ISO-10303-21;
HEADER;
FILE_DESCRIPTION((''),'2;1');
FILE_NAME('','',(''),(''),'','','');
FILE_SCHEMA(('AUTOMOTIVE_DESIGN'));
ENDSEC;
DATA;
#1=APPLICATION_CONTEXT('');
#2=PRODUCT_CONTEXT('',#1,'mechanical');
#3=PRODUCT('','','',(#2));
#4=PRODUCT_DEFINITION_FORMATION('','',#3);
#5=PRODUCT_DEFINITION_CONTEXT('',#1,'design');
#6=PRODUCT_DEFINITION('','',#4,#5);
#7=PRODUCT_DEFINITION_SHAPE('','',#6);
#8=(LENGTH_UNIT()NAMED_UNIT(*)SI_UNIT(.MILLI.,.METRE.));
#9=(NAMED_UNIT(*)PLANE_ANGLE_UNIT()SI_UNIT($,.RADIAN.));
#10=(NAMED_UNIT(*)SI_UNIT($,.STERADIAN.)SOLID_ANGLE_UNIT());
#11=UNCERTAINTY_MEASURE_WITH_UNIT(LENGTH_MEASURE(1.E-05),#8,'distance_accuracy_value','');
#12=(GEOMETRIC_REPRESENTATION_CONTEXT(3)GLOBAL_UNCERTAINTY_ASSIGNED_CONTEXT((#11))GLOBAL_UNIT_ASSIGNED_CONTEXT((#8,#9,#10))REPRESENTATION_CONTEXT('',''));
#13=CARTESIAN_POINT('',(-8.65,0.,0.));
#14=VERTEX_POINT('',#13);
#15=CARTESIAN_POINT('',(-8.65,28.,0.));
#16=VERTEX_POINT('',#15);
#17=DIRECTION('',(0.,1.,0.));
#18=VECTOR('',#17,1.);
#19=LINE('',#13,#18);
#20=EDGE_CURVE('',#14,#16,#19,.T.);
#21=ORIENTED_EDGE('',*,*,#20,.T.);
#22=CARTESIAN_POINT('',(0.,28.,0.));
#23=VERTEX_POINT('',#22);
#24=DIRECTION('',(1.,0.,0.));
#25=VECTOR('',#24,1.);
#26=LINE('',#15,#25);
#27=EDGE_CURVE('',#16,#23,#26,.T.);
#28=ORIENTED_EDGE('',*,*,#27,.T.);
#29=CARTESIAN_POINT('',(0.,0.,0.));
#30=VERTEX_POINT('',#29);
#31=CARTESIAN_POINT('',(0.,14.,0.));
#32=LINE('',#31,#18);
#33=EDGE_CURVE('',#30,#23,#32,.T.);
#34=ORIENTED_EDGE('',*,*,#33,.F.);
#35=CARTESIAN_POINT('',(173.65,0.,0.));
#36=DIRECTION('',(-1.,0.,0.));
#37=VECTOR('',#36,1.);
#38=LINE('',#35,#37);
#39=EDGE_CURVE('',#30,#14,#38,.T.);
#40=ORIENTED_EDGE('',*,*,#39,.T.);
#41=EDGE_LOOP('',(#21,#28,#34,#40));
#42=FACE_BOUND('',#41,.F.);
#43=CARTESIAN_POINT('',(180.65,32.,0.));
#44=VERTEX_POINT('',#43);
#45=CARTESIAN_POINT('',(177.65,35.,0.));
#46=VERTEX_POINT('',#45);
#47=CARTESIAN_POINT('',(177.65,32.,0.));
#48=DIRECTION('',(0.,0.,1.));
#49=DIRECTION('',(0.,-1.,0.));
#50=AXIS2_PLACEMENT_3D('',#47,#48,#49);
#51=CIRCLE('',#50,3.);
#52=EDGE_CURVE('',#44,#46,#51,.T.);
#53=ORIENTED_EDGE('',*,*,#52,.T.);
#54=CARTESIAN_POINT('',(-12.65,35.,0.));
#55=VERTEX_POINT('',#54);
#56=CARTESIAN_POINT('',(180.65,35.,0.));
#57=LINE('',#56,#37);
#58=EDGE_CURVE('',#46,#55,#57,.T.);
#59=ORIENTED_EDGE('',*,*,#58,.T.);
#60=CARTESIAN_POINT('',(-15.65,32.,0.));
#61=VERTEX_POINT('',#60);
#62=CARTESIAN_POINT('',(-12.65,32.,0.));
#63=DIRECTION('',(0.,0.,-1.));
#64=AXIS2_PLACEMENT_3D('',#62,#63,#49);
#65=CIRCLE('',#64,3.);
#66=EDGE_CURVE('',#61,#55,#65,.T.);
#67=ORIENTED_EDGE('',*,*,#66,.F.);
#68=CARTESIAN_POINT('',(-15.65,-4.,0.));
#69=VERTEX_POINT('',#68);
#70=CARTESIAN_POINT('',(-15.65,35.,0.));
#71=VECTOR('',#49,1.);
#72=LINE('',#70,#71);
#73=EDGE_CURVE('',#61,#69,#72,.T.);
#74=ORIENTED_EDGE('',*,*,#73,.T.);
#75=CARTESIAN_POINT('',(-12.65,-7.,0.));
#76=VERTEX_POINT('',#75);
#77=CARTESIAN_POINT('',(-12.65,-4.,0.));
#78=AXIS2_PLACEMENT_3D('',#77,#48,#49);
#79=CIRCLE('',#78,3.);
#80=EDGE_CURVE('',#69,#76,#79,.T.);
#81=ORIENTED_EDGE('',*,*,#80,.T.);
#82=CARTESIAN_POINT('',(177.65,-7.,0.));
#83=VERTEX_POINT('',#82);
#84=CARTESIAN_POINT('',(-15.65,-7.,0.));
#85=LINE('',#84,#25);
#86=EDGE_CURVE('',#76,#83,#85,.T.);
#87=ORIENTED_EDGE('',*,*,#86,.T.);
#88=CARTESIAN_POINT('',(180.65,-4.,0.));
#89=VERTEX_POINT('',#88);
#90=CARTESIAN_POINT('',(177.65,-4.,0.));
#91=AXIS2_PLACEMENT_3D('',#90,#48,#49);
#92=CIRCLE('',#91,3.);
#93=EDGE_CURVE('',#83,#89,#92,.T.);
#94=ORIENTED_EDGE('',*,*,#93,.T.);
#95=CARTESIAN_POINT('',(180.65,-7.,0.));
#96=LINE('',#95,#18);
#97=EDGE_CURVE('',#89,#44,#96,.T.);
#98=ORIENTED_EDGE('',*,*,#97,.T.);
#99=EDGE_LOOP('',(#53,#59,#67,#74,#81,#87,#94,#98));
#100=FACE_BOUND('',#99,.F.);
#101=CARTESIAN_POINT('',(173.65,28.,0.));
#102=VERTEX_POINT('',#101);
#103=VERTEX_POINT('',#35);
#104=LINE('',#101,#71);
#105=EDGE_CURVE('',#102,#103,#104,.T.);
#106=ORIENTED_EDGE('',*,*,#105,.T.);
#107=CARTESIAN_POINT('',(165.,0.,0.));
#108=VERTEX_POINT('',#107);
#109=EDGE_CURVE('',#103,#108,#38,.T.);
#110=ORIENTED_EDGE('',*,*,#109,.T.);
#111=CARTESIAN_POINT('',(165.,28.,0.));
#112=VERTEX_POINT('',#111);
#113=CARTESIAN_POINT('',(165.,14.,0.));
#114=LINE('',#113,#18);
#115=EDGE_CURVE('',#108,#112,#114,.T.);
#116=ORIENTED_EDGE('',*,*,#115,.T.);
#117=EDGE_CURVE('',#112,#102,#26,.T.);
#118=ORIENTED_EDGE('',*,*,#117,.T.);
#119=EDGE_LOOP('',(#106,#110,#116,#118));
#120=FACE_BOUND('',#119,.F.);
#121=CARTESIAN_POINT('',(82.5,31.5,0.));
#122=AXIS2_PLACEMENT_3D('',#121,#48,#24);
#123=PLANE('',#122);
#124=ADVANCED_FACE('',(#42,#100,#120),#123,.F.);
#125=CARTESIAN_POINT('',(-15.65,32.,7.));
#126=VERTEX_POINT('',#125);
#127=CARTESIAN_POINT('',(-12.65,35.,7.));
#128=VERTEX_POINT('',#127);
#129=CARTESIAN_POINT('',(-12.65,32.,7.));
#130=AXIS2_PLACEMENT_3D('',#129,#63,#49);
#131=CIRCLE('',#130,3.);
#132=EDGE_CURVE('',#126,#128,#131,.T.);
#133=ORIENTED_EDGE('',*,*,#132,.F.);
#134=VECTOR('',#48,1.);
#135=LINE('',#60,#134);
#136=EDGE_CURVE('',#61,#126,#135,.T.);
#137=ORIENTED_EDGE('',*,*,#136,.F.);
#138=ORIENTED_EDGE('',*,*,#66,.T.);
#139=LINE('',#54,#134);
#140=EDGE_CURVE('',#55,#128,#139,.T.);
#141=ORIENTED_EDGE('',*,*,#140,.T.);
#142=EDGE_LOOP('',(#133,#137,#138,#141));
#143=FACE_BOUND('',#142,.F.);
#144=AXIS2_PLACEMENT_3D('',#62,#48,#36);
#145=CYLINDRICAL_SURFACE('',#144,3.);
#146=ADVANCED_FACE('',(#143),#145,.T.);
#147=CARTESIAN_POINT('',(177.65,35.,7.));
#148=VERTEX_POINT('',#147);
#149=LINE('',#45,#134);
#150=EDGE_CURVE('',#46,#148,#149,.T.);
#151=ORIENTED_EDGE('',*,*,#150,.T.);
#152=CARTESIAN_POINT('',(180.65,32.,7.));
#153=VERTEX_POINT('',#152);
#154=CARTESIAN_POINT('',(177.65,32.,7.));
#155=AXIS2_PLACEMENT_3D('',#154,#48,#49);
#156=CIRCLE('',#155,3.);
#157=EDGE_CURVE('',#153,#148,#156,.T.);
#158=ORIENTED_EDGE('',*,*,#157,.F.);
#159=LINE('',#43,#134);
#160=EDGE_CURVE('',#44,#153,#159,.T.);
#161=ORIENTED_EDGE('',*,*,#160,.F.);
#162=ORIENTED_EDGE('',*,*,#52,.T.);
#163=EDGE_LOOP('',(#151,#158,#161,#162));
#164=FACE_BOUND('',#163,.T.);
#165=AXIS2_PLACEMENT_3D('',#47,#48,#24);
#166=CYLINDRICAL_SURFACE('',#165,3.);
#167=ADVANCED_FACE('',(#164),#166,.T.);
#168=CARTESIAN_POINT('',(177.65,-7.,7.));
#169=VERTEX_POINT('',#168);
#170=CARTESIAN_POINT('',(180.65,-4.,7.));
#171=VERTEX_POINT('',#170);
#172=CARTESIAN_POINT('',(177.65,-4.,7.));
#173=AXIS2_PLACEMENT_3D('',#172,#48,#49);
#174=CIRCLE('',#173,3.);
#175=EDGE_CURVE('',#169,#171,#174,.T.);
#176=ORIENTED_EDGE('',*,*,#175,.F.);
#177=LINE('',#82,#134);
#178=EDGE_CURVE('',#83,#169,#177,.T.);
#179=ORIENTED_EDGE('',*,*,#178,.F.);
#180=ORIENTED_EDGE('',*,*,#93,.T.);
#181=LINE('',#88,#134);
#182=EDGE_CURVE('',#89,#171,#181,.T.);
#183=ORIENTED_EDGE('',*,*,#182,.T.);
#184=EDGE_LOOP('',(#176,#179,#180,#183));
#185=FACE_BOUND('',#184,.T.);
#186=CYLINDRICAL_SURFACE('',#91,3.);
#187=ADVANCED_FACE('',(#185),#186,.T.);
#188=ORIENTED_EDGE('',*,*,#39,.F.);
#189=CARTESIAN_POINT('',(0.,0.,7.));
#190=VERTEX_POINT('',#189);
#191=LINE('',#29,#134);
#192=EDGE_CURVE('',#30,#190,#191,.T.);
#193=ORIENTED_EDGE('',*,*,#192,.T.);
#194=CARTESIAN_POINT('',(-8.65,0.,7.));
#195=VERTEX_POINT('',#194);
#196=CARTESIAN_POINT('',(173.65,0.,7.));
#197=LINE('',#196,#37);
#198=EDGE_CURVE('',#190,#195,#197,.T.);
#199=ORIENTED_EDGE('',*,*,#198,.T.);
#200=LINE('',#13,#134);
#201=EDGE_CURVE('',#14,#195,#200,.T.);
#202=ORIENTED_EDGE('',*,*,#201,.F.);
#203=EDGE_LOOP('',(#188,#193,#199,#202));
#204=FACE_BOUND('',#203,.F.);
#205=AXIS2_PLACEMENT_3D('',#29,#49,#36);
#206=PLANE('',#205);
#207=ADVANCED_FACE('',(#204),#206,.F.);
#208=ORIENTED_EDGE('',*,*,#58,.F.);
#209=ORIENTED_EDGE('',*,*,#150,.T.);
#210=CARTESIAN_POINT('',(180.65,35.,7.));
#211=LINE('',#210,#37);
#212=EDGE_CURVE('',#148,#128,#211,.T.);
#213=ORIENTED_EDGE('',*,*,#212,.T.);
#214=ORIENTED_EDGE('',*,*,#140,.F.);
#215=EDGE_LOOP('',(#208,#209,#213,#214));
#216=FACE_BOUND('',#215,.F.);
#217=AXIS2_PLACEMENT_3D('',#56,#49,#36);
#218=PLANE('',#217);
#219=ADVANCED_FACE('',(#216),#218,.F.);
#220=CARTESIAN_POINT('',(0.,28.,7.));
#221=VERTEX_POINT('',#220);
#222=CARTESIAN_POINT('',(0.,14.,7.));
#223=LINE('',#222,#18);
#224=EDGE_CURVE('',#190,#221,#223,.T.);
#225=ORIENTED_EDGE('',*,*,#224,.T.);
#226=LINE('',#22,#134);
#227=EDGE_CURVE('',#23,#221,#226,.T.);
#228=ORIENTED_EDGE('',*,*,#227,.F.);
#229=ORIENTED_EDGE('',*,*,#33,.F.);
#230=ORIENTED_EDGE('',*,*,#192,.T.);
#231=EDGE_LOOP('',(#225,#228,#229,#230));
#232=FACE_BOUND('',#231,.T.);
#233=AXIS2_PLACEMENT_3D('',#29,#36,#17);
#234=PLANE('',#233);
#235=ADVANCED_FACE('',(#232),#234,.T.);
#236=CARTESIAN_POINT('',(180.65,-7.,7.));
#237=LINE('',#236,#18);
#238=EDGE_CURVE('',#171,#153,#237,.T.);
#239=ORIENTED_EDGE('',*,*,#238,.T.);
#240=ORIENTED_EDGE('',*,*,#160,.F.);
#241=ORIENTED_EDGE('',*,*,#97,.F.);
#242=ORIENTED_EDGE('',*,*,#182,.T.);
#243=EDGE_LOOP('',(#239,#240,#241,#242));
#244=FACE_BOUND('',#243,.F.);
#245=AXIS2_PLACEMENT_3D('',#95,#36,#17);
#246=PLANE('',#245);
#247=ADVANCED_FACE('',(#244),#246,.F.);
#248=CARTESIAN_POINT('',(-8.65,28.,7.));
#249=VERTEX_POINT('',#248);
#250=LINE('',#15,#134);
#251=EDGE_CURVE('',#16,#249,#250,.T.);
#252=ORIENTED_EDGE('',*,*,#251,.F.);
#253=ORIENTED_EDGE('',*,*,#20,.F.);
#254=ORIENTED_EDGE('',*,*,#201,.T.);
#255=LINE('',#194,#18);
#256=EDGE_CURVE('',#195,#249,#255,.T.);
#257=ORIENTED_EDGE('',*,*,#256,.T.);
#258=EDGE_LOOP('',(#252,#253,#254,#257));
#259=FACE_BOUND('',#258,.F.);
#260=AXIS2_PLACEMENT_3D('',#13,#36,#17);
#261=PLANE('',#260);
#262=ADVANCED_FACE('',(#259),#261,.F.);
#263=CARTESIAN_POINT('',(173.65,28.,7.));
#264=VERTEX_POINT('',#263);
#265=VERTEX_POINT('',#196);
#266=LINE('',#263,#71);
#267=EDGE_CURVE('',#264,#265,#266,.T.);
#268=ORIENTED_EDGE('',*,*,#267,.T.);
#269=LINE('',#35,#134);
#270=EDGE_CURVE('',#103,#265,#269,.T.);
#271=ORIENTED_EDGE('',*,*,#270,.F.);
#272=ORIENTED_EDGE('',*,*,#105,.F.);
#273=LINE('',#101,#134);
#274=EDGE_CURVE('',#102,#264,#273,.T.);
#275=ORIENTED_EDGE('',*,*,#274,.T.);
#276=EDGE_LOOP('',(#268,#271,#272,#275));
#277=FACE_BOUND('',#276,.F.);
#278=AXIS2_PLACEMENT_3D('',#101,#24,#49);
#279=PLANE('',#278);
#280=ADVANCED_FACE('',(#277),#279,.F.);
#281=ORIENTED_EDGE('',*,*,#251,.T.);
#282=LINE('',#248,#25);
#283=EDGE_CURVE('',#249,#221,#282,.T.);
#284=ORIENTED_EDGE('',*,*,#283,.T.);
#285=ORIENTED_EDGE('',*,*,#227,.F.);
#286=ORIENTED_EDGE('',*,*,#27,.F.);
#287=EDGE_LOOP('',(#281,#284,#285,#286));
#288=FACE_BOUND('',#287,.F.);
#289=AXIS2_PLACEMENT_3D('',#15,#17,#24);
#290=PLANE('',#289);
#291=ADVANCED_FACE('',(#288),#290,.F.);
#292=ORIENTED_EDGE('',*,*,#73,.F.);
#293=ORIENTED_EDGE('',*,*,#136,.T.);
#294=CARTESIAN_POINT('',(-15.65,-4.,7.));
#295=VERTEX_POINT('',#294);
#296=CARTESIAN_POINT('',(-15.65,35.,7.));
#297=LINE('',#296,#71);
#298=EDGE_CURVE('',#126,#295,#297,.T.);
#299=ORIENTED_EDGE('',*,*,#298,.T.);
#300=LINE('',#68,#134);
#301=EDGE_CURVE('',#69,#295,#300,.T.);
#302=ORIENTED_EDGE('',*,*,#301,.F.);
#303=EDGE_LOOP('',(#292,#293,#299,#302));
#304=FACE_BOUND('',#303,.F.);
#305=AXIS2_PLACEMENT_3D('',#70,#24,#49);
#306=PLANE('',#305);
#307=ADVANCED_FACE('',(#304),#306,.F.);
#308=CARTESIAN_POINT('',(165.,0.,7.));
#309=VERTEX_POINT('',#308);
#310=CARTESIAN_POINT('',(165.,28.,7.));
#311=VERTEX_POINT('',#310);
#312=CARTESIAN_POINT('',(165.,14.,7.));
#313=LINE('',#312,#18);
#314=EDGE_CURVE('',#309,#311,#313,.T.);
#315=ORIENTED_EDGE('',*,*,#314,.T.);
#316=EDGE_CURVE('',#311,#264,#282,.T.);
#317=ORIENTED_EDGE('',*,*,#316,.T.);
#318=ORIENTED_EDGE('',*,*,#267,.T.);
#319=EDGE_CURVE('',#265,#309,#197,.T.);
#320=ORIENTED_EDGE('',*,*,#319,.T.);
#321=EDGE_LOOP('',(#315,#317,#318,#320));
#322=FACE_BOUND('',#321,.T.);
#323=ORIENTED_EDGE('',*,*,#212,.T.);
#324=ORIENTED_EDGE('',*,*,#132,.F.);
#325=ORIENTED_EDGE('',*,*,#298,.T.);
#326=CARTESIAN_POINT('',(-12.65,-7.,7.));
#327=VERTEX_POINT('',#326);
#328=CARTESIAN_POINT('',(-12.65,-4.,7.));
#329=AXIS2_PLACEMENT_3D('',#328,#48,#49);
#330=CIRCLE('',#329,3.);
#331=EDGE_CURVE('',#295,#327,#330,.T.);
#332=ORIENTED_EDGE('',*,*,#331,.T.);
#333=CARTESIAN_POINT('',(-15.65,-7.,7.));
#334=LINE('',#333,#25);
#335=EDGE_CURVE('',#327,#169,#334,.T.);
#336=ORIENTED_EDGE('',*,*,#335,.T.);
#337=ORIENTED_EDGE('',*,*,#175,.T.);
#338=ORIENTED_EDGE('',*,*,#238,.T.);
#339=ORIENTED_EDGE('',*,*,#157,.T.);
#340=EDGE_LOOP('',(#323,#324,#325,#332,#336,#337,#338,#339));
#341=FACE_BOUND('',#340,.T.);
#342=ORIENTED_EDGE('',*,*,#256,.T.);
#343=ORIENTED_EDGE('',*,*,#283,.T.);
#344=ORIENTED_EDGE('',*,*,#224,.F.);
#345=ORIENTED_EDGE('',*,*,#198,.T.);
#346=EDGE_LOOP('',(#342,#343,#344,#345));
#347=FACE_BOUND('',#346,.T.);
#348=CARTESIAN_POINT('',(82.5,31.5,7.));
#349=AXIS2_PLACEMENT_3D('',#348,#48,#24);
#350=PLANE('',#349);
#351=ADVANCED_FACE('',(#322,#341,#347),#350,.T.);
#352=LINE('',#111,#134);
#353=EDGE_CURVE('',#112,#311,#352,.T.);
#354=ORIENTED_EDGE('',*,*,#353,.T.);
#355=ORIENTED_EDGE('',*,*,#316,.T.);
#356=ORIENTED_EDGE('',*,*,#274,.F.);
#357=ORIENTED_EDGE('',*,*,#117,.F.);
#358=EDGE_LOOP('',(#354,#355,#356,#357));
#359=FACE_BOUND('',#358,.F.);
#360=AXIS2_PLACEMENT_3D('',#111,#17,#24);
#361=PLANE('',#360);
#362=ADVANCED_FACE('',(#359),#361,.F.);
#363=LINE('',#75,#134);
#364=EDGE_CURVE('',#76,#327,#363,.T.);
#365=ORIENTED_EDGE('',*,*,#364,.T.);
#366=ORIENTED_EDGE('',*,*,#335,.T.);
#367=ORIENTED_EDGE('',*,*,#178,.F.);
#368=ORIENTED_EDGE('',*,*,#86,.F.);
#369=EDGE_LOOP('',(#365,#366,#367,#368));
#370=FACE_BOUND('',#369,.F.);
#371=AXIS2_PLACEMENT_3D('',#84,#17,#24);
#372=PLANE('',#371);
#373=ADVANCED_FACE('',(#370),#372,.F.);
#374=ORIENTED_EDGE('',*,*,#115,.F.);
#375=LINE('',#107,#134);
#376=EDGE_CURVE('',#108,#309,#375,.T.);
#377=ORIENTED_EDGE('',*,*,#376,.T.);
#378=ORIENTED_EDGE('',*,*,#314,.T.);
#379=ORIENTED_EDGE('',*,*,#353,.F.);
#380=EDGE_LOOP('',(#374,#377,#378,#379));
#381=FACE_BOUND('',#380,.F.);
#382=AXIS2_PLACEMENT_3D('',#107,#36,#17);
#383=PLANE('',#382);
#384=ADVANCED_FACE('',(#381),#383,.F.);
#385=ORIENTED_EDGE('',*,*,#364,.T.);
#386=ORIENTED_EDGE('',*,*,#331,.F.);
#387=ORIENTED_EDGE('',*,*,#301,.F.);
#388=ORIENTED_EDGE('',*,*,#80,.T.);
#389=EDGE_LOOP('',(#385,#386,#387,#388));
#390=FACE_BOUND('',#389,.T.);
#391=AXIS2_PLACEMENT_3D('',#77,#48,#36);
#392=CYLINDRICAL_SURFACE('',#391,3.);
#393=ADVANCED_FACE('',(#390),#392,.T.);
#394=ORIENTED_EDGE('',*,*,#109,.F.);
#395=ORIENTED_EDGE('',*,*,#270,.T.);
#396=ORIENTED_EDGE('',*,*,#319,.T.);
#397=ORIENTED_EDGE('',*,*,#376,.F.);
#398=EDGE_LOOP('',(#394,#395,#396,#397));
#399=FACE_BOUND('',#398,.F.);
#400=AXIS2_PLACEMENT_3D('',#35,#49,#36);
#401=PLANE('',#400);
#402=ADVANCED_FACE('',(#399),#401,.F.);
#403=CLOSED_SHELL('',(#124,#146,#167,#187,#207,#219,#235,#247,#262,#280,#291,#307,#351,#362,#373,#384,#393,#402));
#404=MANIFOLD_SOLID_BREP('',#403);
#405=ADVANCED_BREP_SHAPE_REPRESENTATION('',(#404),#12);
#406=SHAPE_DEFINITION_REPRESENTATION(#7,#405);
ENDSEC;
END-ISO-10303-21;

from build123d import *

# Parameters (mm, degrees)
F0_W     = 165
F0_H     = 28
F1_DEPTH = 7
F2_R     = 3


with BuildPart() as f1:
    # F0 (on Top) → F1 (new body)
    with BuildSketch(Plane.XY):
        Polygon((-8.65, 28), (0, 28), (165, 28), (173.65, 28), (173.65, 35), (-8.65, 35), align=None)
        Polygon((-15.65, 0), (-8.65, 0), (-8.65, 28), (-8.65, 35), (-15.65, 35), align=None)
        Polygon((165, 0), (0, 0), (-8.65, 0), (-15.65, 0), (-15.65, -7), (173.65, -7), (173.65, 0), align=None)
        with Locations((82.5, 14)):
            Rectangle(F0_W, F0_H)
        Polygon((173.65, 28), (173.65, 0), (173.65, -7), (180.65, -7), (180.65, 35), (173.65, 35), align=None)
    extrude(amount=F1_DEPTH)

    # F2
    f2_edges = [f1.edges().sort_by_distance(p)[0] for p in [
        (180.65, -7, 3.5),
        (180.65, 35, 3.5),
        (-15.65, -7, 3.5),
        (-15.65, 35, 3.5),
    ]]
    fillet(f2_edges, radius=F2_R)


solid = f1.part
